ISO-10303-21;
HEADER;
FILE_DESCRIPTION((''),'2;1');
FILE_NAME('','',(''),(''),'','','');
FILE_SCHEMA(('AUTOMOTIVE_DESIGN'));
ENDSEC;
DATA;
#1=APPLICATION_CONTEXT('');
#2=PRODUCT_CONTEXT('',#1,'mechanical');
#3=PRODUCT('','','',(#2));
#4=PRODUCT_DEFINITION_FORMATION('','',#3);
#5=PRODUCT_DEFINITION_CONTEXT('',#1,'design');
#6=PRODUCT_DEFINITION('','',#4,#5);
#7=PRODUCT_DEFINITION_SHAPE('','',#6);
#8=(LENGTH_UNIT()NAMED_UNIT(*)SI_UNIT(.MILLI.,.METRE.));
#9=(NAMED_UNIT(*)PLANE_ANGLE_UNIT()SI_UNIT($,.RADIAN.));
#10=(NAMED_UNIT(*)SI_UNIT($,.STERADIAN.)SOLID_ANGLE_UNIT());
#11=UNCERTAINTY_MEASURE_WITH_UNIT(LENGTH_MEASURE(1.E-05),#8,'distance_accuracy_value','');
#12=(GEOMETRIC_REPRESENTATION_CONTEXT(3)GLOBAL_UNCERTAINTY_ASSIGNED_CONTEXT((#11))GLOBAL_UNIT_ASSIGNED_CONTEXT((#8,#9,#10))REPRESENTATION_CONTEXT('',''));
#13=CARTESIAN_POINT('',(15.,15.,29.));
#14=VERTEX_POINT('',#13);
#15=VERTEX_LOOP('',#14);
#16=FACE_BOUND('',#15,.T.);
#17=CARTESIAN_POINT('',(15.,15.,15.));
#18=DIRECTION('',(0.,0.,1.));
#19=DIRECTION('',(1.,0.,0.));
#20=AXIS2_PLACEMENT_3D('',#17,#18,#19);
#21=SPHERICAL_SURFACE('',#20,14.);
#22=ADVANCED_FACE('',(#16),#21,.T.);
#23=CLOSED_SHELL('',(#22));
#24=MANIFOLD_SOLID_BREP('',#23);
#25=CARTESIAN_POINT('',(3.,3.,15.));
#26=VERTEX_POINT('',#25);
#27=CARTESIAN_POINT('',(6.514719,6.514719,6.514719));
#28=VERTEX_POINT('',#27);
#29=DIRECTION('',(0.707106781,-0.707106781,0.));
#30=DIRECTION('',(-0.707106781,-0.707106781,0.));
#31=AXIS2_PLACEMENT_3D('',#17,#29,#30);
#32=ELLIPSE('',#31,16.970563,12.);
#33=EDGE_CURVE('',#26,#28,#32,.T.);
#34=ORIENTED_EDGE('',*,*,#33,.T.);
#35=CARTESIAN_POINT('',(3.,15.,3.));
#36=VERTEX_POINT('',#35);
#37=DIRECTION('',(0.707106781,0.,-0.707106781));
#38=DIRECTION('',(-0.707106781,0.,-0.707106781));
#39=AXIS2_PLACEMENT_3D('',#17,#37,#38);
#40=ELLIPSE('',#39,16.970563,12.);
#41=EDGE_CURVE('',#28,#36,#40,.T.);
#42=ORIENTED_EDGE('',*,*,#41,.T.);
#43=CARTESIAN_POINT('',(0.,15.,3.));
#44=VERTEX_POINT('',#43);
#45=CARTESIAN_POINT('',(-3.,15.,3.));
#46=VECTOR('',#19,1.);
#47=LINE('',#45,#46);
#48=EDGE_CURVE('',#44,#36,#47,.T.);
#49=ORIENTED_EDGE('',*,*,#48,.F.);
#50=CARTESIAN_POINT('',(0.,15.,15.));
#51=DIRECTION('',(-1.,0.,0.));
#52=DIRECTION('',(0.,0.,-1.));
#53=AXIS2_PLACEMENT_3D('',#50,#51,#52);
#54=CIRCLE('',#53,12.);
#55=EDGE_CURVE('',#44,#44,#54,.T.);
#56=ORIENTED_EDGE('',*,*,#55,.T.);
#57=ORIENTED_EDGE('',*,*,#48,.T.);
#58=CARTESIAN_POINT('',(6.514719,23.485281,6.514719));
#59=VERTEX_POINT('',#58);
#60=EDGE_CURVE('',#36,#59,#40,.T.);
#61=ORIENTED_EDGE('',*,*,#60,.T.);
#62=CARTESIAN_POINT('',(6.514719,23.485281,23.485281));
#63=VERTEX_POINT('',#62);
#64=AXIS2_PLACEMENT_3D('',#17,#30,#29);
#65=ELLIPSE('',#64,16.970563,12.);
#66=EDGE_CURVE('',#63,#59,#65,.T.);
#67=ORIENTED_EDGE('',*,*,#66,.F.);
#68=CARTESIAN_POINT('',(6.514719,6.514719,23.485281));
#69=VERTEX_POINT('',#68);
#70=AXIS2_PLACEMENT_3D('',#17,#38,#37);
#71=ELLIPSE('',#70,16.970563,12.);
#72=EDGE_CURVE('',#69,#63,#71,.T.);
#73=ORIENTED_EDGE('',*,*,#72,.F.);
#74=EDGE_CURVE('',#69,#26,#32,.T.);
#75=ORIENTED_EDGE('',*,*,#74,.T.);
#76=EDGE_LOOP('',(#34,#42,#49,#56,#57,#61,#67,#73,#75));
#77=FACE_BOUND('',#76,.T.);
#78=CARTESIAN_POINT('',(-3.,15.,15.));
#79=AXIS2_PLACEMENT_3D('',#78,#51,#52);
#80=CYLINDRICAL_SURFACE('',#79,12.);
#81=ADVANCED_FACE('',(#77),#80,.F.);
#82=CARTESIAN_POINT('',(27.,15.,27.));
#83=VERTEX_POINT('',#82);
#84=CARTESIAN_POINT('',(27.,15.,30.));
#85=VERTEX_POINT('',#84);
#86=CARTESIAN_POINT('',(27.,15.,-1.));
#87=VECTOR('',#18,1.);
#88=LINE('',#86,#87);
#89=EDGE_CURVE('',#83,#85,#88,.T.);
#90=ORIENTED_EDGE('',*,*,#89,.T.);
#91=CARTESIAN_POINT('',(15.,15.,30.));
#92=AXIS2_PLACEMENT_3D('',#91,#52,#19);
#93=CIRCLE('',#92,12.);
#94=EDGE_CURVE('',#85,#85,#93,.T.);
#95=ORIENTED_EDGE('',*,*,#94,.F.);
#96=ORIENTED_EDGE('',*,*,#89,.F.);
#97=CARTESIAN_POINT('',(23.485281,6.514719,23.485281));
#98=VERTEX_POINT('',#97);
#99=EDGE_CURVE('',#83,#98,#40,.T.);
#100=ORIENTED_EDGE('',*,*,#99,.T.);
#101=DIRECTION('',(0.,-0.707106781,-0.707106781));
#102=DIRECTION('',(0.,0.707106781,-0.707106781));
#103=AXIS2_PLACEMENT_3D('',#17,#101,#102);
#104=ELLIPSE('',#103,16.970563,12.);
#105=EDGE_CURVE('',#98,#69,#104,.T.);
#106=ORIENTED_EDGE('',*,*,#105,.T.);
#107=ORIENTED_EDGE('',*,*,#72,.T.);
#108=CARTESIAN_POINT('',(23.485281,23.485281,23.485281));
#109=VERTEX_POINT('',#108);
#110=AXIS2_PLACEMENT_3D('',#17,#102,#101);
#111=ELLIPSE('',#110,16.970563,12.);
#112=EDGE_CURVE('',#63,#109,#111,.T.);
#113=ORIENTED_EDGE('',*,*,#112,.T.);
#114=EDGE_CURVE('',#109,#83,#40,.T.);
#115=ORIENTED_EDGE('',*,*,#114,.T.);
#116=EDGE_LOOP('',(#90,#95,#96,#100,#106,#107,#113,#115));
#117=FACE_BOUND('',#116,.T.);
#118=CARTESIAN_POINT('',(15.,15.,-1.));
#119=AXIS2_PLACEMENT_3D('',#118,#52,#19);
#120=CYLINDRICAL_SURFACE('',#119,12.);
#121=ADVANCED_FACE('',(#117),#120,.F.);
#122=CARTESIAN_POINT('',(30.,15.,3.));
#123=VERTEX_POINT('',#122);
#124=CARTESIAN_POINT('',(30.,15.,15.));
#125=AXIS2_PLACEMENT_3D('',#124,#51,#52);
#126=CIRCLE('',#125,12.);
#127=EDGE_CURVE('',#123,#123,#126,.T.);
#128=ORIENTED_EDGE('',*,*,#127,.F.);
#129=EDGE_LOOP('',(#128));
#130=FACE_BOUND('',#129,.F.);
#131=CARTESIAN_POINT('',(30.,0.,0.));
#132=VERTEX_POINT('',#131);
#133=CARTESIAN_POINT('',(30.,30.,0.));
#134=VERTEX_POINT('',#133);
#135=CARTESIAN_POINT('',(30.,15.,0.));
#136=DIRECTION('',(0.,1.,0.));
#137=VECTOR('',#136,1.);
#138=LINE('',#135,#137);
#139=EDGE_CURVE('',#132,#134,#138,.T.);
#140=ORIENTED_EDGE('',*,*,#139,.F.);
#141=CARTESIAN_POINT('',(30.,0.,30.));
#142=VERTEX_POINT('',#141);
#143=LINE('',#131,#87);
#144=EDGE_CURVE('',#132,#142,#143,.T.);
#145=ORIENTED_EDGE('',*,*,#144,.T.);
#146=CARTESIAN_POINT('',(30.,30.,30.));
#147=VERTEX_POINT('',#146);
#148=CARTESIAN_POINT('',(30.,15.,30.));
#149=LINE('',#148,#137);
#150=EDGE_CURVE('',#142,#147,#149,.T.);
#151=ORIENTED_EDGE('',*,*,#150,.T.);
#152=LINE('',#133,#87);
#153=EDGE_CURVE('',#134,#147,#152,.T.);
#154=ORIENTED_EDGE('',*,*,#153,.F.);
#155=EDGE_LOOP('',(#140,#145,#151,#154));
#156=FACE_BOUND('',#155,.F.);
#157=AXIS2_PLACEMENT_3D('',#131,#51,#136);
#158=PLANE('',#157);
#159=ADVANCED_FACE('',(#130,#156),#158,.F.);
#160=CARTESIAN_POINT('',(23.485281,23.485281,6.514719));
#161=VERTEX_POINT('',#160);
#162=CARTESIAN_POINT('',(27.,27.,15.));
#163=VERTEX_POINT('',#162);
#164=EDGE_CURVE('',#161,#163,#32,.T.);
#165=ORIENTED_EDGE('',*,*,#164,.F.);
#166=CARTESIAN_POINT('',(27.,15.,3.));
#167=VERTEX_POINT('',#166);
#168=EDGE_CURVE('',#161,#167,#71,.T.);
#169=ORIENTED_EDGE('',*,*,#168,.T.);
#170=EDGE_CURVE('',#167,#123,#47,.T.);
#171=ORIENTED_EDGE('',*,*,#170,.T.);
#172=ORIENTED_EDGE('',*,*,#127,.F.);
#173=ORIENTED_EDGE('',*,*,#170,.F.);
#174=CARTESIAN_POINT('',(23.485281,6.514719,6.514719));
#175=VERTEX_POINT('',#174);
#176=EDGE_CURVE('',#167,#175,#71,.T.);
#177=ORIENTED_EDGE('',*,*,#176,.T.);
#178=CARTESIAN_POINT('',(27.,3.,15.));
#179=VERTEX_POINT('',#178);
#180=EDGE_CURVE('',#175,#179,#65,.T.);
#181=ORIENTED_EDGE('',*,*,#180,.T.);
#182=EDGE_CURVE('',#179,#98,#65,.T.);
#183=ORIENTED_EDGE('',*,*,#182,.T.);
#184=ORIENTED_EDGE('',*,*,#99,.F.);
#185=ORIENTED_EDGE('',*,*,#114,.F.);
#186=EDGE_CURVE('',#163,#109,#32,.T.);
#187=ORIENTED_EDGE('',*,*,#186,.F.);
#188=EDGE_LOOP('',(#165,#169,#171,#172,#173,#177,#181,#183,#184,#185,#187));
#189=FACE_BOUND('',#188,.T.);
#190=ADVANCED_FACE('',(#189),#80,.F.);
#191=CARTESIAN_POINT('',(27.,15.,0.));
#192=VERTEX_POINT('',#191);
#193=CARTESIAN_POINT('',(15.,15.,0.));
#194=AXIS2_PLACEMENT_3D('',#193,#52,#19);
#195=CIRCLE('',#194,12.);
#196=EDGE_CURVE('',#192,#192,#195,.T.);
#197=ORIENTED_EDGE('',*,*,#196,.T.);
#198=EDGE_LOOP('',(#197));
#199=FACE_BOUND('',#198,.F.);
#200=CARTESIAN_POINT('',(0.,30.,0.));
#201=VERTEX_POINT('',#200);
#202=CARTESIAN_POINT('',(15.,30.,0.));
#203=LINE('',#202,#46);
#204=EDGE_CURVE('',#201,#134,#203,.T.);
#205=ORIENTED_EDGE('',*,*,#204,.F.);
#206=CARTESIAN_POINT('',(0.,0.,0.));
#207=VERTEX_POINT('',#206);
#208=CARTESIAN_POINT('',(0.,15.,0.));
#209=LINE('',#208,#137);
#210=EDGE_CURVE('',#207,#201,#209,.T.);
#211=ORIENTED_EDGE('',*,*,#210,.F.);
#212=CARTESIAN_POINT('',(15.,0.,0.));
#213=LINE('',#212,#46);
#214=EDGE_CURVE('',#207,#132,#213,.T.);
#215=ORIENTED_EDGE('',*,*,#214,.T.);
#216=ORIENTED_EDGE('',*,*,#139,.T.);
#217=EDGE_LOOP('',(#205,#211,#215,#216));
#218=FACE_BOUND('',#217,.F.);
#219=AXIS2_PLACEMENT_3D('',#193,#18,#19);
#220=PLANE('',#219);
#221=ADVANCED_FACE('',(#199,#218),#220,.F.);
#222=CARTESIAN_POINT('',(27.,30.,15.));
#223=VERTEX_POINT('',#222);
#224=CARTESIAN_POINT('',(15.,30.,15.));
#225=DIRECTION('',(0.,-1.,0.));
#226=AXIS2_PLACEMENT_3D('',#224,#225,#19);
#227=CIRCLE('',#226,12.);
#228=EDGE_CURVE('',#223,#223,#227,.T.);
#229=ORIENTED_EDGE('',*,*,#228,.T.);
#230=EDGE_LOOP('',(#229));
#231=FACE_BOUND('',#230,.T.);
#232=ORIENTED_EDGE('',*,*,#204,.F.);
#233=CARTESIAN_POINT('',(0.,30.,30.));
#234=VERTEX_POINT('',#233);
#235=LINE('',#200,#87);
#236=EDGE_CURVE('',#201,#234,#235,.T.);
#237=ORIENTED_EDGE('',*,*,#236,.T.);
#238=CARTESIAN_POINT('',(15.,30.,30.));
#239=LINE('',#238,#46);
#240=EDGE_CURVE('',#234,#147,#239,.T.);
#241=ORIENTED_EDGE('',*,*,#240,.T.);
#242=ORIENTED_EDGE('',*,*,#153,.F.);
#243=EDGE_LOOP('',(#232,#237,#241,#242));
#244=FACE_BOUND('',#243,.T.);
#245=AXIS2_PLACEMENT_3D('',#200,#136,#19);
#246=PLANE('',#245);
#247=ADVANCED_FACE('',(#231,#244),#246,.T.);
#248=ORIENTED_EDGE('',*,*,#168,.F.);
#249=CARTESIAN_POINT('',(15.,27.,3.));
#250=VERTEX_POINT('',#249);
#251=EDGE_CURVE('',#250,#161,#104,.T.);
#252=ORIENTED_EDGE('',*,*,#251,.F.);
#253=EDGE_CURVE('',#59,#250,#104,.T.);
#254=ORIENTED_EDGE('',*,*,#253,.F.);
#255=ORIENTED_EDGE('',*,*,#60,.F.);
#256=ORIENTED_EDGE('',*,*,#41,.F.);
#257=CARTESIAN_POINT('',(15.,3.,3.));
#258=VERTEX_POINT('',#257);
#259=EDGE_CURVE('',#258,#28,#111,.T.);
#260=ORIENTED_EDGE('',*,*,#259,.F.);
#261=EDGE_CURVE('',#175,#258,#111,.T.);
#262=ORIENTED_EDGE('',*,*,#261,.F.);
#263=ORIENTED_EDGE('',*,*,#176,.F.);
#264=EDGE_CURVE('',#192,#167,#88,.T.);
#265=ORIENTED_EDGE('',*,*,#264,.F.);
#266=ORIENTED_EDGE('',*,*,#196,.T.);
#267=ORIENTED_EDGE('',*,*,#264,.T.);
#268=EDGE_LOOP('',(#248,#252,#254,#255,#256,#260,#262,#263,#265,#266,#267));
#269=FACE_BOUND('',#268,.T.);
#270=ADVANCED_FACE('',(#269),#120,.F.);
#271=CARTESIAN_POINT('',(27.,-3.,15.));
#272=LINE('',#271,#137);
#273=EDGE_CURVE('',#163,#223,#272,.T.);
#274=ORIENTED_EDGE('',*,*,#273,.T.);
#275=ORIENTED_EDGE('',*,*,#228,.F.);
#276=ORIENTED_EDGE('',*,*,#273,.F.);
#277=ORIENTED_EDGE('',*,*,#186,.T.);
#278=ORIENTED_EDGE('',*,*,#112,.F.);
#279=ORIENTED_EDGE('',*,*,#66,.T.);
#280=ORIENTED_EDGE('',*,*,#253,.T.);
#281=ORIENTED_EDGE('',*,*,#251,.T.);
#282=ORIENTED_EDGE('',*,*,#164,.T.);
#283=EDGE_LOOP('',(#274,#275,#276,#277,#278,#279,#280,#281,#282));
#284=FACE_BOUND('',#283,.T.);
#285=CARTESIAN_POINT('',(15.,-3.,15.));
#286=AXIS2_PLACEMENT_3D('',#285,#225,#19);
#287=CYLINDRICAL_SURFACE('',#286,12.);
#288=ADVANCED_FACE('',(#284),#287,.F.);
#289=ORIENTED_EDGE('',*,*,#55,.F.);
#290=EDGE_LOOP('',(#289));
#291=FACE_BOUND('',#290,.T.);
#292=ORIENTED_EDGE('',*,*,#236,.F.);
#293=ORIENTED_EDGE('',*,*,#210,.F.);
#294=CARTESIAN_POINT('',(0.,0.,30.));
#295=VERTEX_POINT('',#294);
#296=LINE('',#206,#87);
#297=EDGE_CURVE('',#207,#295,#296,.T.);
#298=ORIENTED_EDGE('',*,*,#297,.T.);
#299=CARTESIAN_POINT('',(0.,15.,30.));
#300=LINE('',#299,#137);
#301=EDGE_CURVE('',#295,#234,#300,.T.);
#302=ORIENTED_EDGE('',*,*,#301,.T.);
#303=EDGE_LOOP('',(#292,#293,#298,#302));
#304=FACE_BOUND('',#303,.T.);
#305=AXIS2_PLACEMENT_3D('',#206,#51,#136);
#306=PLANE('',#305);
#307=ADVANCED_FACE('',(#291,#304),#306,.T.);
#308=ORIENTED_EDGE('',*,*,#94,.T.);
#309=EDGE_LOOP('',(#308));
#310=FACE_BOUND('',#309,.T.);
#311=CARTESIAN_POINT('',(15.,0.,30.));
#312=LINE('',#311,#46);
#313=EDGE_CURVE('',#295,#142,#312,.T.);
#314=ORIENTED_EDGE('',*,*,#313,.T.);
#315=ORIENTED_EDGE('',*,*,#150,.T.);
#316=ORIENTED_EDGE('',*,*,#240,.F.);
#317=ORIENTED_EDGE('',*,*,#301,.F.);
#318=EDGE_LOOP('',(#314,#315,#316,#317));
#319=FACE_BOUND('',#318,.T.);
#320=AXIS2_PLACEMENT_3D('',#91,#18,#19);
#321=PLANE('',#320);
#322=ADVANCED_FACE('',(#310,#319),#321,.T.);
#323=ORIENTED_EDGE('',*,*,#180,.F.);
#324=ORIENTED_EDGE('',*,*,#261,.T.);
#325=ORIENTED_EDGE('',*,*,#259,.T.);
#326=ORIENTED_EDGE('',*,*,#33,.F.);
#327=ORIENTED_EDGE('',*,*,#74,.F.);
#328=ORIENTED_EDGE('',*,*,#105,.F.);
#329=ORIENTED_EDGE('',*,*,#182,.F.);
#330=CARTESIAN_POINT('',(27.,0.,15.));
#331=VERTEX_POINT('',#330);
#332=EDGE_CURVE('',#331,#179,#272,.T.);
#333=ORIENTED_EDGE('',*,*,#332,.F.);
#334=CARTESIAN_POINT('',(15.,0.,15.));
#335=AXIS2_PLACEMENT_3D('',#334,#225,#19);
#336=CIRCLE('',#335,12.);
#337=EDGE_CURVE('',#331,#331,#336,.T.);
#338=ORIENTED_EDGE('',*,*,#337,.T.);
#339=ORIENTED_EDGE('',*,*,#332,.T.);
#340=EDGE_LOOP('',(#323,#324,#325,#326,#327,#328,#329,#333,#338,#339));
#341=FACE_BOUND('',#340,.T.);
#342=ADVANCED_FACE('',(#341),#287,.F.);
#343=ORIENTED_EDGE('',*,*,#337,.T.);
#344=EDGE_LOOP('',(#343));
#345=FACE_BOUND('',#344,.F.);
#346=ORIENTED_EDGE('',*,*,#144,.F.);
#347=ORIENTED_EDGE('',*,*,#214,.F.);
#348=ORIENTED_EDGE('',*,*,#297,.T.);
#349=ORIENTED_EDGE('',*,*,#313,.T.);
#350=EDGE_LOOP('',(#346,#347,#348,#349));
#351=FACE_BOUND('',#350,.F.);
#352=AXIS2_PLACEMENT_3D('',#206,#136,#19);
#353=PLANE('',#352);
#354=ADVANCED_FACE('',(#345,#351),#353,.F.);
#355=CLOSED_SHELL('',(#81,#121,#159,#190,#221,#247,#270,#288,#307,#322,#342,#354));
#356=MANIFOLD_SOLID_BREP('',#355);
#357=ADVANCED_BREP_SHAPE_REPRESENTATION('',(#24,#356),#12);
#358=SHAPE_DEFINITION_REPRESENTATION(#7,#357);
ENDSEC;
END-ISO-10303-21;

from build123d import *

# Parameters (mm, degrees)
CYLINDER001_R     = 12
CYLINDER001_DEPTH = 35
CYLINDER002_R     = 12
CYLINDER002_DEPTH = 35
CYLINDER_R        = 12
CYLINDER_DEPTH    = 35
BOX_W             = 30
BOX_H             = 30
BOX_DEPTH         = 30


with BuildPart() as esfera001:
    # Sphere001 → Sphere001 (revolve)
    with BuildSketch(Plane(origin=(15, 15, 15), x_dir=(1, 0, 0), z_dir=(0, -1, 0))):
        with BuildLine():
            ThreePointArc((0, -14), (14, 0), (0, 14))
            Line((0, 14), (0, -14))
        make_face()
    revolve(axis=Axis((15, 15, 15), (0, 0, 1)))


with BuildPart() as cilindre001:
    # Cylinder001 → Cylinder001 (new body)
    with BuildSketch(Plane(origin=(-3, 15, 15), x_dir=(0, 0, -1), z_dir=(1, 0, 0))):
        Circle(CYLINDER001_R)
    extrude(amount=CYLINDER001_DEPTH)


with BuildPart() as cilindre002:
    # Cylinder002 → Cylinder002 (new body)
    with BuildSketch(Plane(origin=(15, -3, 15), x_dir=(1, 0, 0), z_dir=(0, 1, 0))):
        Circle(CYLINDER002_R)
    extrude(amount=CYLINDER002_DEPTH)


with BuildPart() as cilindre:
    # Cylinder → Cylinder (new body)
    with BuildSketch(Plane(origin=(15, 15, -1), x_dir=(1, 0, 0), z_dir=(0, 0, 1))):
        Circle(CYLINDER_R)
    extrude(amount=CYLINDER_DEPTH)


with BuildPart() as cut002:
    # Box → Box (new body)
    with BuildSketch(Plane.XY):
        with Locations((15, 15)):
            Rectangle(BOX_W, BOX_H)
    extrude(amount=BOX_DEPTH)

    # Cut: cut Cilindre
    add(cilindre.part, mode=Mode.SUBTRACT)

    # Cut001: cut Cilindre002
    add(cilindre002.part, mode=Mode.SUBTRACT)

    # Cut002: cut Cilindre001
    add(cilindre001.part, mode=Mode.SUBTRACT)


solid = Compound([esfera001.part, cut002.part])
